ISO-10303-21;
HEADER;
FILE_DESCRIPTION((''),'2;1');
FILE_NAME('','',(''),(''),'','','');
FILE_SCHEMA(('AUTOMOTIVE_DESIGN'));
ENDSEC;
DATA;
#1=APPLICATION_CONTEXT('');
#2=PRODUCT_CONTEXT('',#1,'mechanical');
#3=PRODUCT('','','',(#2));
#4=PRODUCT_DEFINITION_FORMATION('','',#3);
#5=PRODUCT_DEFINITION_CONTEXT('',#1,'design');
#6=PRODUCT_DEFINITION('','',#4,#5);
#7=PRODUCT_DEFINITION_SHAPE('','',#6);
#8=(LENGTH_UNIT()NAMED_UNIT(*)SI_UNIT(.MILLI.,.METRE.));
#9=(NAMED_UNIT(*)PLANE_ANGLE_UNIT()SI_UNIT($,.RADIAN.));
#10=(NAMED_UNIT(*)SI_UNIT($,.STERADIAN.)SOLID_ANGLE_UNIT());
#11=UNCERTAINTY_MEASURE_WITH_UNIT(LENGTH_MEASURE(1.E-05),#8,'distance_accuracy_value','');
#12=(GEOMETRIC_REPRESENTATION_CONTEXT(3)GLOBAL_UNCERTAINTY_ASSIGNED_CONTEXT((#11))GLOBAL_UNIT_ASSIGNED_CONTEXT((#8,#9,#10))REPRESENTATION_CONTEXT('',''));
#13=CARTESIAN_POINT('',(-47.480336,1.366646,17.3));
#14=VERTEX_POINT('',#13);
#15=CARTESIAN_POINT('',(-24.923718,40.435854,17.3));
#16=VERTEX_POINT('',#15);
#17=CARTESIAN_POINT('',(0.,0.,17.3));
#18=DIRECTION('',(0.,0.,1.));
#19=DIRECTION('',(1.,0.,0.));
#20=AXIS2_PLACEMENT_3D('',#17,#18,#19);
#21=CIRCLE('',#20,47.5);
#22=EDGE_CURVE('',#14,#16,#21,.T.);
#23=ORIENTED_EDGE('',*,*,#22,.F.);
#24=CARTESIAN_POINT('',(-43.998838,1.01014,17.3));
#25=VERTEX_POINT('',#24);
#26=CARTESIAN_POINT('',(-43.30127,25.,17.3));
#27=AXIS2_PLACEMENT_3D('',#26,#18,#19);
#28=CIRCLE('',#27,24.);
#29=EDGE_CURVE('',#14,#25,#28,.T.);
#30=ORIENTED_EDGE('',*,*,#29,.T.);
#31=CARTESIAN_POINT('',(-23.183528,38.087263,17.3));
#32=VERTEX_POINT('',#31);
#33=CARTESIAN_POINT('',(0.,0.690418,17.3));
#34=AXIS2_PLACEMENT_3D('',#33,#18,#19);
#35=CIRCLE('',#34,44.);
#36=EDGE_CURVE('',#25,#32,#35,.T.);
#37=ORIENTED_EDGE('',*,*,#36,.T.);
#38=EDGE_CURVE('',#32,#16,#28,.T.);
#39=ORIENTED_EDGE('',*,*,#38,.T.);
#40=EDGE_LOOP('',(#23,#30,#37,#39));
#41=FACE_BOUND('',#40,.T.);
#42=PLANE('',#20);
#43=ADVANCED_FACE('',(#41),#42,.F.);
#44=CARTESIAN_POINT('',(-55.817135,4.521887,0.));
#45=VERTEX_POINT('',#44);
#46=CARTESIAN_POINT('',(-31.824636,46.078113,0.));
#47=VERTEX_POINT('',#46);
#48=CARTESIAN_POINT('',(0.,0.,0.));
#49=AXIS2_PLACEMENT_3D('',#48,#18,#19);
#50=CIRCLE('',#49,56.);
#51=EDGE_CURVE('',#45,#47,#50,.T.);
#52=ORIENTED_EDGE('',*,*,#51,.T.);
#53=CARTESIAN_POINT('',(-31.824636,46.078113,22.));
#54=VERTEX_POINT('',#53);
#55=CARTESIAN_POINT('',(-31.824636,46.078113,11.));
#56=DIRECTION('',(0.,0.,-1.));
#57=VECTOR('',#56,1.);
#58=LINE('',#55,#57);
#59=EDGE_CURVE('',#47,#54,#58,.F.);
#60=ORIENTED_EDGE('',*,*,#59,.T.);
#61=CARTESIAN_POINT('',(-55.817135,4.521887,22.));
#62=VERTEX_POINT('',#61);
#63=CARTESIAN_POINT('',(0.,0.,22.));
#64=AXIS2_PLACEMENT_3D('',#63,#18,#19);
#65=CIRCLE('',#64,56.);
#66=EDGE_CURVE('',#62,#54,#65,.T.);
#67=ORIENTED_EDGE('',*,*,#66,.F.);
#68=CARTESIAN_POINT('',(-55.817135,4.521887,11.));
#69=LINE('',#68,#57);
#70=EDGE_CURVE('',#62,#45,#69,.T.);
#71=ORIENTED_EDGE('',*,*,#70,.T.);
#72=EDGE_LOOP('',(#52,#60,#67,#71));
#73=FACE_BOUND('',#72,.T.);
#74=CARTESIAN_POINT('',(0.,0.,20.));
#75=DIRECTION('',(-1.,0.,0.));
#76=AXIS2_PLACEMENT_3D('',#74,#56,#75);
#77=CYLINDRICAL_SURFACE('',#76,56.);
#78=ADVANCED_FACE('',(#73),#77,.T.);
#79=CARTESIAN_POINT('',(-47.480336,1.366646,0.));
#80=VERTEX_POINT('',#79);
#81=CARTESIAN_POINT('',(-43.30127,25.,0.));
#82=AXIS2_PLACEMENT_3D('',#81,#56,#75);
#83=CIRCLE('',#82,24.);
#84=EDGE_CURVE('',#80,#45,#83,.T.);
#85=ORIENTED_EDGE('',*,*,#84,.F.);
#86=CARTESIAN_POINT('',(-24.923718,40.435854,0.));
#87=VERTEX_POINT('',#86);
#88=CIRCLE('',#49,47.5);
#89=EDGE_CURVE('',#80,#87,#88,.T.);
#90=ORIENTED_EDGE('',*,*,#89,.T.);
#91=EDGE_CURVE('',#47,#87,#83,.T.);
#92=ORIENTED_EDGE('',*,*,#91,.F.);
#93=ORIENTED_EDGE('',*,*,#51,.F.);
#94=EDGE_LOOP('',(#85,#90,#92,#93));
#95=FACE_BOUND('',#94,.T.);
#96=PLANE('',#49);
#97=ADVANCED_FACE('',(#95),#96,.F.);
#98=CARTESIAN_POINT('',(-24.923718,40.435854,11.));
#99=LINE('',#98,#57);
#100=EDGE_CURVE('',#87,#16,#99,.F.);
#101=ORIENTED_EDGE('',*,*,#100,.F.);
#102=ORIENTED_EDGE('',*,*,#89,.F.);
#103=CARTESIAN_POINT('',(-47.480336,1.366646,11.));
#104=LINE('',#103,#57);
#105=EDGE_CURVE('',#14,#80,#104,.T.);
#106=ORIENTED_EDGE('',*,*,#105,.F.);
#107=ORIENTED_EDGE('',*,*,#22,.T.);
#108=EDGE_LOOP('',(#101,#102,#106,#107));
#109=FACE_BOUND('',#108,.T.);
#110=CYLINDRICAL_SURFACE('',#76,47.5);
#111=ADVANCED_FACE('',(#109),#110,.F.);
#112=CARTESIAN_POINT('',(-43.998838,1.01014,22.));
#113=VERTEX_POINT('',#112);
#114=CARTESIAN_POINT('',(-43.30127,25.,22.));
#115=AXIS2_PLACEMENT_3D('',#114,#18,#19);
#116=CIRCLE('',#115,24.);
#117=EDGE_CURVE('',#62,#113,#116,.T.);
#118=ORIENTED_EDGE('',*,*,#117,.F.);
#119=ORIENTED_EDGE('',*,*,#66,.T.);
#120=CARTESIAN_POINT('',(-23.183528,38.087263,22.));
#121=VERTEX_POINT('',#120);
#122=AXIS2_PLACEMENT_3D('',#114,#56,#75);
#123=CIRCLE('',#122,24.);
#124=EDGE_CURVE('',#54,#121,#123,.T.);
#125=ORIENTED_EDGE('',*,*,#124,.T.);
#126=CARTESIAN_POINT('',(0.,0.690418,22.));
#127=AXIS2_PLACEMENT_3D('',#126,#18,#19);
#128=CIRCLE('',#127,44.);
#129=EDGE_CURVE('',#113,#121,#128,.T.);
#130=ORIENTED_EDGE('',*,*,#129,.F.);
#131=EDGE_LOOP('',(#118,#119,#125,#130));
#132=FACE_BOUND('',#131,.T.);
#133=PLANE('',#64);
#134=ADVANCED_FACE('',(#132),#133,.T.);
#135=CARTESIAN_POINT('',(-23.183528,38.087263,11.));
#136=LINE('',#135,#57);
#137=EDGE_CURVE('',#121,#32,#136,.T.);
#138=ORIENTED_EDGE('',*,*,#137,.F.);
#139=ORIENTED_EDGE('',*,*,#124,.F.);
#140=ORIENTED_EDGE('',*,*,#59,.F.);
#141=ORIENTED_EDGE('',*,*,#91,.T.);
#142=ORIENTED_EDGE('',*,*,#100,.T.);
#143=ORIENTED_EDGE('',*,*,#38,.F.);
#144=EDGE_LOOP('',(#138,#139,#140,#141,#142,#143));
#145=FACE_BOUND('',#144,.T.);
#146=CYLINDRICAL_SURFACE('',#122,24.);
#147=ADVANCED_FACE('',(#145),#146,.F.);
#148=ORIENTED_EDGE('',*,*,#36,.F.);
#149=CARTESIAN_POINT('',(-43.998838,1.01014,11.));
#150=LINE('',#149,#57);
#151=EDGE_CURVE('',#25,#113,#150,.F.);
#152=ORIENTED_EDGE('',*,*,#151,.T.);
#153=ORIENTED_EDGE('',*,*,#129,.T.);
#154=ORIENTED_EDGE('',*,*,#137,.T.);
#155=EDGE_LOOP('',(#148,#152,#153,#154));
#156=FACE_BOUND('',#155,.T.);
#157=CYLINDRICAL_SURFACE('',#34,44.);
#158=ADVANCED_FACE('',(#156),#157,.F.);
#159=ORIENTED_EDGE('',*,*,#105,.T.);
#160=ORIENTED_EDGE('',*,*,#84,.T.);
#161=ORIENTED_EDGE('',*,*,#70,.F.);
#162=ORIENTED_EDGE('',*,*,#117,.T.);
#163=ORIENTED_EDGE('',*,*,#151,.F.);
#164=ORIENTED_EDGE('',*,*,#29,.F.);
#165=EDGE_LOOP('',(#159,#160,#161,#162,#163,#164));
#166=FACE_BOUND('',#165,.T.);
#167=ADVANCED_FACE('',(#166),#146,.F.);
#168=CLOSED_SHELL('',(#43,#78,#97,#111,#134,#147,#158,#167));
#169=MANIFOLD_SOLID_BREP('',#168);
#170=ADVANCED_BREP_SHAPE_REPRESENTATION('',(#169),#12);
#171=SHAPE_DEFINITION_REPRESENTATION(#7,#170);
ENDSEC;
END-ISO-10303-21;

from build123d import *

# Parameters (mm, degrees)
SKETCH_1_R           = 56
SKETCH_1_R_2         = 47.5
EXTRUDE_1_DEPTH      = 20
EXTRUDE_3_DEPTH      = 2
EXTRUDE_3_DEPTH_BACK = 2.7
SKETCH_3_R           = 56
SKETCH_3_R_2         = 44
SKETCH_4_R           = 24
CUT_EXTRUDE_1_DEPTH  = 83.194890352


with BuildPart() as part:
    # 草图1 → 凸台-拉伸1 (new body)
    with BuildSketch(Plane.XY):
        Circle(SKETCH_1_R)
        Circle(SKETCH_1_R_2, mode=Mode.SUBTRACT)
    extrude(amount=EXTRUDE_1_DEPTH)

    # 草图3 → 凸台-拉伸3 (add, two sides: drawn at the far end of the back side and taken through both)
    with BuildSketch(Plane.XY.offset(20).offset(-EXTRUDE_3_DEPTH_BACK)):
        Circle(SKETCH_3_R)
        with Locations((0, 0.69041818)):
            Circle(SKETCH_3_R_2, mode=Mode.SUBTRACT)
    extrude(amount=EXTRUDE_3_DEPTH + EXTRUDE_3_DEPTH_BACK)

    # 草图4 → 切除-拉伸1 (cut, through all)
    with BuildSketch(Plane(origin=(0, 0, 0), x_dir=(-1, 0, 0), z_dir=(0, 0, -1))):
        with Locations((43.301270189, 25)):
            Circle(SKETCH_4_R)
    extrude(amount=-CUT_EXTRUDE_1_DEPTH, mode=Mode.SUBTRACT)


solid = part.part
